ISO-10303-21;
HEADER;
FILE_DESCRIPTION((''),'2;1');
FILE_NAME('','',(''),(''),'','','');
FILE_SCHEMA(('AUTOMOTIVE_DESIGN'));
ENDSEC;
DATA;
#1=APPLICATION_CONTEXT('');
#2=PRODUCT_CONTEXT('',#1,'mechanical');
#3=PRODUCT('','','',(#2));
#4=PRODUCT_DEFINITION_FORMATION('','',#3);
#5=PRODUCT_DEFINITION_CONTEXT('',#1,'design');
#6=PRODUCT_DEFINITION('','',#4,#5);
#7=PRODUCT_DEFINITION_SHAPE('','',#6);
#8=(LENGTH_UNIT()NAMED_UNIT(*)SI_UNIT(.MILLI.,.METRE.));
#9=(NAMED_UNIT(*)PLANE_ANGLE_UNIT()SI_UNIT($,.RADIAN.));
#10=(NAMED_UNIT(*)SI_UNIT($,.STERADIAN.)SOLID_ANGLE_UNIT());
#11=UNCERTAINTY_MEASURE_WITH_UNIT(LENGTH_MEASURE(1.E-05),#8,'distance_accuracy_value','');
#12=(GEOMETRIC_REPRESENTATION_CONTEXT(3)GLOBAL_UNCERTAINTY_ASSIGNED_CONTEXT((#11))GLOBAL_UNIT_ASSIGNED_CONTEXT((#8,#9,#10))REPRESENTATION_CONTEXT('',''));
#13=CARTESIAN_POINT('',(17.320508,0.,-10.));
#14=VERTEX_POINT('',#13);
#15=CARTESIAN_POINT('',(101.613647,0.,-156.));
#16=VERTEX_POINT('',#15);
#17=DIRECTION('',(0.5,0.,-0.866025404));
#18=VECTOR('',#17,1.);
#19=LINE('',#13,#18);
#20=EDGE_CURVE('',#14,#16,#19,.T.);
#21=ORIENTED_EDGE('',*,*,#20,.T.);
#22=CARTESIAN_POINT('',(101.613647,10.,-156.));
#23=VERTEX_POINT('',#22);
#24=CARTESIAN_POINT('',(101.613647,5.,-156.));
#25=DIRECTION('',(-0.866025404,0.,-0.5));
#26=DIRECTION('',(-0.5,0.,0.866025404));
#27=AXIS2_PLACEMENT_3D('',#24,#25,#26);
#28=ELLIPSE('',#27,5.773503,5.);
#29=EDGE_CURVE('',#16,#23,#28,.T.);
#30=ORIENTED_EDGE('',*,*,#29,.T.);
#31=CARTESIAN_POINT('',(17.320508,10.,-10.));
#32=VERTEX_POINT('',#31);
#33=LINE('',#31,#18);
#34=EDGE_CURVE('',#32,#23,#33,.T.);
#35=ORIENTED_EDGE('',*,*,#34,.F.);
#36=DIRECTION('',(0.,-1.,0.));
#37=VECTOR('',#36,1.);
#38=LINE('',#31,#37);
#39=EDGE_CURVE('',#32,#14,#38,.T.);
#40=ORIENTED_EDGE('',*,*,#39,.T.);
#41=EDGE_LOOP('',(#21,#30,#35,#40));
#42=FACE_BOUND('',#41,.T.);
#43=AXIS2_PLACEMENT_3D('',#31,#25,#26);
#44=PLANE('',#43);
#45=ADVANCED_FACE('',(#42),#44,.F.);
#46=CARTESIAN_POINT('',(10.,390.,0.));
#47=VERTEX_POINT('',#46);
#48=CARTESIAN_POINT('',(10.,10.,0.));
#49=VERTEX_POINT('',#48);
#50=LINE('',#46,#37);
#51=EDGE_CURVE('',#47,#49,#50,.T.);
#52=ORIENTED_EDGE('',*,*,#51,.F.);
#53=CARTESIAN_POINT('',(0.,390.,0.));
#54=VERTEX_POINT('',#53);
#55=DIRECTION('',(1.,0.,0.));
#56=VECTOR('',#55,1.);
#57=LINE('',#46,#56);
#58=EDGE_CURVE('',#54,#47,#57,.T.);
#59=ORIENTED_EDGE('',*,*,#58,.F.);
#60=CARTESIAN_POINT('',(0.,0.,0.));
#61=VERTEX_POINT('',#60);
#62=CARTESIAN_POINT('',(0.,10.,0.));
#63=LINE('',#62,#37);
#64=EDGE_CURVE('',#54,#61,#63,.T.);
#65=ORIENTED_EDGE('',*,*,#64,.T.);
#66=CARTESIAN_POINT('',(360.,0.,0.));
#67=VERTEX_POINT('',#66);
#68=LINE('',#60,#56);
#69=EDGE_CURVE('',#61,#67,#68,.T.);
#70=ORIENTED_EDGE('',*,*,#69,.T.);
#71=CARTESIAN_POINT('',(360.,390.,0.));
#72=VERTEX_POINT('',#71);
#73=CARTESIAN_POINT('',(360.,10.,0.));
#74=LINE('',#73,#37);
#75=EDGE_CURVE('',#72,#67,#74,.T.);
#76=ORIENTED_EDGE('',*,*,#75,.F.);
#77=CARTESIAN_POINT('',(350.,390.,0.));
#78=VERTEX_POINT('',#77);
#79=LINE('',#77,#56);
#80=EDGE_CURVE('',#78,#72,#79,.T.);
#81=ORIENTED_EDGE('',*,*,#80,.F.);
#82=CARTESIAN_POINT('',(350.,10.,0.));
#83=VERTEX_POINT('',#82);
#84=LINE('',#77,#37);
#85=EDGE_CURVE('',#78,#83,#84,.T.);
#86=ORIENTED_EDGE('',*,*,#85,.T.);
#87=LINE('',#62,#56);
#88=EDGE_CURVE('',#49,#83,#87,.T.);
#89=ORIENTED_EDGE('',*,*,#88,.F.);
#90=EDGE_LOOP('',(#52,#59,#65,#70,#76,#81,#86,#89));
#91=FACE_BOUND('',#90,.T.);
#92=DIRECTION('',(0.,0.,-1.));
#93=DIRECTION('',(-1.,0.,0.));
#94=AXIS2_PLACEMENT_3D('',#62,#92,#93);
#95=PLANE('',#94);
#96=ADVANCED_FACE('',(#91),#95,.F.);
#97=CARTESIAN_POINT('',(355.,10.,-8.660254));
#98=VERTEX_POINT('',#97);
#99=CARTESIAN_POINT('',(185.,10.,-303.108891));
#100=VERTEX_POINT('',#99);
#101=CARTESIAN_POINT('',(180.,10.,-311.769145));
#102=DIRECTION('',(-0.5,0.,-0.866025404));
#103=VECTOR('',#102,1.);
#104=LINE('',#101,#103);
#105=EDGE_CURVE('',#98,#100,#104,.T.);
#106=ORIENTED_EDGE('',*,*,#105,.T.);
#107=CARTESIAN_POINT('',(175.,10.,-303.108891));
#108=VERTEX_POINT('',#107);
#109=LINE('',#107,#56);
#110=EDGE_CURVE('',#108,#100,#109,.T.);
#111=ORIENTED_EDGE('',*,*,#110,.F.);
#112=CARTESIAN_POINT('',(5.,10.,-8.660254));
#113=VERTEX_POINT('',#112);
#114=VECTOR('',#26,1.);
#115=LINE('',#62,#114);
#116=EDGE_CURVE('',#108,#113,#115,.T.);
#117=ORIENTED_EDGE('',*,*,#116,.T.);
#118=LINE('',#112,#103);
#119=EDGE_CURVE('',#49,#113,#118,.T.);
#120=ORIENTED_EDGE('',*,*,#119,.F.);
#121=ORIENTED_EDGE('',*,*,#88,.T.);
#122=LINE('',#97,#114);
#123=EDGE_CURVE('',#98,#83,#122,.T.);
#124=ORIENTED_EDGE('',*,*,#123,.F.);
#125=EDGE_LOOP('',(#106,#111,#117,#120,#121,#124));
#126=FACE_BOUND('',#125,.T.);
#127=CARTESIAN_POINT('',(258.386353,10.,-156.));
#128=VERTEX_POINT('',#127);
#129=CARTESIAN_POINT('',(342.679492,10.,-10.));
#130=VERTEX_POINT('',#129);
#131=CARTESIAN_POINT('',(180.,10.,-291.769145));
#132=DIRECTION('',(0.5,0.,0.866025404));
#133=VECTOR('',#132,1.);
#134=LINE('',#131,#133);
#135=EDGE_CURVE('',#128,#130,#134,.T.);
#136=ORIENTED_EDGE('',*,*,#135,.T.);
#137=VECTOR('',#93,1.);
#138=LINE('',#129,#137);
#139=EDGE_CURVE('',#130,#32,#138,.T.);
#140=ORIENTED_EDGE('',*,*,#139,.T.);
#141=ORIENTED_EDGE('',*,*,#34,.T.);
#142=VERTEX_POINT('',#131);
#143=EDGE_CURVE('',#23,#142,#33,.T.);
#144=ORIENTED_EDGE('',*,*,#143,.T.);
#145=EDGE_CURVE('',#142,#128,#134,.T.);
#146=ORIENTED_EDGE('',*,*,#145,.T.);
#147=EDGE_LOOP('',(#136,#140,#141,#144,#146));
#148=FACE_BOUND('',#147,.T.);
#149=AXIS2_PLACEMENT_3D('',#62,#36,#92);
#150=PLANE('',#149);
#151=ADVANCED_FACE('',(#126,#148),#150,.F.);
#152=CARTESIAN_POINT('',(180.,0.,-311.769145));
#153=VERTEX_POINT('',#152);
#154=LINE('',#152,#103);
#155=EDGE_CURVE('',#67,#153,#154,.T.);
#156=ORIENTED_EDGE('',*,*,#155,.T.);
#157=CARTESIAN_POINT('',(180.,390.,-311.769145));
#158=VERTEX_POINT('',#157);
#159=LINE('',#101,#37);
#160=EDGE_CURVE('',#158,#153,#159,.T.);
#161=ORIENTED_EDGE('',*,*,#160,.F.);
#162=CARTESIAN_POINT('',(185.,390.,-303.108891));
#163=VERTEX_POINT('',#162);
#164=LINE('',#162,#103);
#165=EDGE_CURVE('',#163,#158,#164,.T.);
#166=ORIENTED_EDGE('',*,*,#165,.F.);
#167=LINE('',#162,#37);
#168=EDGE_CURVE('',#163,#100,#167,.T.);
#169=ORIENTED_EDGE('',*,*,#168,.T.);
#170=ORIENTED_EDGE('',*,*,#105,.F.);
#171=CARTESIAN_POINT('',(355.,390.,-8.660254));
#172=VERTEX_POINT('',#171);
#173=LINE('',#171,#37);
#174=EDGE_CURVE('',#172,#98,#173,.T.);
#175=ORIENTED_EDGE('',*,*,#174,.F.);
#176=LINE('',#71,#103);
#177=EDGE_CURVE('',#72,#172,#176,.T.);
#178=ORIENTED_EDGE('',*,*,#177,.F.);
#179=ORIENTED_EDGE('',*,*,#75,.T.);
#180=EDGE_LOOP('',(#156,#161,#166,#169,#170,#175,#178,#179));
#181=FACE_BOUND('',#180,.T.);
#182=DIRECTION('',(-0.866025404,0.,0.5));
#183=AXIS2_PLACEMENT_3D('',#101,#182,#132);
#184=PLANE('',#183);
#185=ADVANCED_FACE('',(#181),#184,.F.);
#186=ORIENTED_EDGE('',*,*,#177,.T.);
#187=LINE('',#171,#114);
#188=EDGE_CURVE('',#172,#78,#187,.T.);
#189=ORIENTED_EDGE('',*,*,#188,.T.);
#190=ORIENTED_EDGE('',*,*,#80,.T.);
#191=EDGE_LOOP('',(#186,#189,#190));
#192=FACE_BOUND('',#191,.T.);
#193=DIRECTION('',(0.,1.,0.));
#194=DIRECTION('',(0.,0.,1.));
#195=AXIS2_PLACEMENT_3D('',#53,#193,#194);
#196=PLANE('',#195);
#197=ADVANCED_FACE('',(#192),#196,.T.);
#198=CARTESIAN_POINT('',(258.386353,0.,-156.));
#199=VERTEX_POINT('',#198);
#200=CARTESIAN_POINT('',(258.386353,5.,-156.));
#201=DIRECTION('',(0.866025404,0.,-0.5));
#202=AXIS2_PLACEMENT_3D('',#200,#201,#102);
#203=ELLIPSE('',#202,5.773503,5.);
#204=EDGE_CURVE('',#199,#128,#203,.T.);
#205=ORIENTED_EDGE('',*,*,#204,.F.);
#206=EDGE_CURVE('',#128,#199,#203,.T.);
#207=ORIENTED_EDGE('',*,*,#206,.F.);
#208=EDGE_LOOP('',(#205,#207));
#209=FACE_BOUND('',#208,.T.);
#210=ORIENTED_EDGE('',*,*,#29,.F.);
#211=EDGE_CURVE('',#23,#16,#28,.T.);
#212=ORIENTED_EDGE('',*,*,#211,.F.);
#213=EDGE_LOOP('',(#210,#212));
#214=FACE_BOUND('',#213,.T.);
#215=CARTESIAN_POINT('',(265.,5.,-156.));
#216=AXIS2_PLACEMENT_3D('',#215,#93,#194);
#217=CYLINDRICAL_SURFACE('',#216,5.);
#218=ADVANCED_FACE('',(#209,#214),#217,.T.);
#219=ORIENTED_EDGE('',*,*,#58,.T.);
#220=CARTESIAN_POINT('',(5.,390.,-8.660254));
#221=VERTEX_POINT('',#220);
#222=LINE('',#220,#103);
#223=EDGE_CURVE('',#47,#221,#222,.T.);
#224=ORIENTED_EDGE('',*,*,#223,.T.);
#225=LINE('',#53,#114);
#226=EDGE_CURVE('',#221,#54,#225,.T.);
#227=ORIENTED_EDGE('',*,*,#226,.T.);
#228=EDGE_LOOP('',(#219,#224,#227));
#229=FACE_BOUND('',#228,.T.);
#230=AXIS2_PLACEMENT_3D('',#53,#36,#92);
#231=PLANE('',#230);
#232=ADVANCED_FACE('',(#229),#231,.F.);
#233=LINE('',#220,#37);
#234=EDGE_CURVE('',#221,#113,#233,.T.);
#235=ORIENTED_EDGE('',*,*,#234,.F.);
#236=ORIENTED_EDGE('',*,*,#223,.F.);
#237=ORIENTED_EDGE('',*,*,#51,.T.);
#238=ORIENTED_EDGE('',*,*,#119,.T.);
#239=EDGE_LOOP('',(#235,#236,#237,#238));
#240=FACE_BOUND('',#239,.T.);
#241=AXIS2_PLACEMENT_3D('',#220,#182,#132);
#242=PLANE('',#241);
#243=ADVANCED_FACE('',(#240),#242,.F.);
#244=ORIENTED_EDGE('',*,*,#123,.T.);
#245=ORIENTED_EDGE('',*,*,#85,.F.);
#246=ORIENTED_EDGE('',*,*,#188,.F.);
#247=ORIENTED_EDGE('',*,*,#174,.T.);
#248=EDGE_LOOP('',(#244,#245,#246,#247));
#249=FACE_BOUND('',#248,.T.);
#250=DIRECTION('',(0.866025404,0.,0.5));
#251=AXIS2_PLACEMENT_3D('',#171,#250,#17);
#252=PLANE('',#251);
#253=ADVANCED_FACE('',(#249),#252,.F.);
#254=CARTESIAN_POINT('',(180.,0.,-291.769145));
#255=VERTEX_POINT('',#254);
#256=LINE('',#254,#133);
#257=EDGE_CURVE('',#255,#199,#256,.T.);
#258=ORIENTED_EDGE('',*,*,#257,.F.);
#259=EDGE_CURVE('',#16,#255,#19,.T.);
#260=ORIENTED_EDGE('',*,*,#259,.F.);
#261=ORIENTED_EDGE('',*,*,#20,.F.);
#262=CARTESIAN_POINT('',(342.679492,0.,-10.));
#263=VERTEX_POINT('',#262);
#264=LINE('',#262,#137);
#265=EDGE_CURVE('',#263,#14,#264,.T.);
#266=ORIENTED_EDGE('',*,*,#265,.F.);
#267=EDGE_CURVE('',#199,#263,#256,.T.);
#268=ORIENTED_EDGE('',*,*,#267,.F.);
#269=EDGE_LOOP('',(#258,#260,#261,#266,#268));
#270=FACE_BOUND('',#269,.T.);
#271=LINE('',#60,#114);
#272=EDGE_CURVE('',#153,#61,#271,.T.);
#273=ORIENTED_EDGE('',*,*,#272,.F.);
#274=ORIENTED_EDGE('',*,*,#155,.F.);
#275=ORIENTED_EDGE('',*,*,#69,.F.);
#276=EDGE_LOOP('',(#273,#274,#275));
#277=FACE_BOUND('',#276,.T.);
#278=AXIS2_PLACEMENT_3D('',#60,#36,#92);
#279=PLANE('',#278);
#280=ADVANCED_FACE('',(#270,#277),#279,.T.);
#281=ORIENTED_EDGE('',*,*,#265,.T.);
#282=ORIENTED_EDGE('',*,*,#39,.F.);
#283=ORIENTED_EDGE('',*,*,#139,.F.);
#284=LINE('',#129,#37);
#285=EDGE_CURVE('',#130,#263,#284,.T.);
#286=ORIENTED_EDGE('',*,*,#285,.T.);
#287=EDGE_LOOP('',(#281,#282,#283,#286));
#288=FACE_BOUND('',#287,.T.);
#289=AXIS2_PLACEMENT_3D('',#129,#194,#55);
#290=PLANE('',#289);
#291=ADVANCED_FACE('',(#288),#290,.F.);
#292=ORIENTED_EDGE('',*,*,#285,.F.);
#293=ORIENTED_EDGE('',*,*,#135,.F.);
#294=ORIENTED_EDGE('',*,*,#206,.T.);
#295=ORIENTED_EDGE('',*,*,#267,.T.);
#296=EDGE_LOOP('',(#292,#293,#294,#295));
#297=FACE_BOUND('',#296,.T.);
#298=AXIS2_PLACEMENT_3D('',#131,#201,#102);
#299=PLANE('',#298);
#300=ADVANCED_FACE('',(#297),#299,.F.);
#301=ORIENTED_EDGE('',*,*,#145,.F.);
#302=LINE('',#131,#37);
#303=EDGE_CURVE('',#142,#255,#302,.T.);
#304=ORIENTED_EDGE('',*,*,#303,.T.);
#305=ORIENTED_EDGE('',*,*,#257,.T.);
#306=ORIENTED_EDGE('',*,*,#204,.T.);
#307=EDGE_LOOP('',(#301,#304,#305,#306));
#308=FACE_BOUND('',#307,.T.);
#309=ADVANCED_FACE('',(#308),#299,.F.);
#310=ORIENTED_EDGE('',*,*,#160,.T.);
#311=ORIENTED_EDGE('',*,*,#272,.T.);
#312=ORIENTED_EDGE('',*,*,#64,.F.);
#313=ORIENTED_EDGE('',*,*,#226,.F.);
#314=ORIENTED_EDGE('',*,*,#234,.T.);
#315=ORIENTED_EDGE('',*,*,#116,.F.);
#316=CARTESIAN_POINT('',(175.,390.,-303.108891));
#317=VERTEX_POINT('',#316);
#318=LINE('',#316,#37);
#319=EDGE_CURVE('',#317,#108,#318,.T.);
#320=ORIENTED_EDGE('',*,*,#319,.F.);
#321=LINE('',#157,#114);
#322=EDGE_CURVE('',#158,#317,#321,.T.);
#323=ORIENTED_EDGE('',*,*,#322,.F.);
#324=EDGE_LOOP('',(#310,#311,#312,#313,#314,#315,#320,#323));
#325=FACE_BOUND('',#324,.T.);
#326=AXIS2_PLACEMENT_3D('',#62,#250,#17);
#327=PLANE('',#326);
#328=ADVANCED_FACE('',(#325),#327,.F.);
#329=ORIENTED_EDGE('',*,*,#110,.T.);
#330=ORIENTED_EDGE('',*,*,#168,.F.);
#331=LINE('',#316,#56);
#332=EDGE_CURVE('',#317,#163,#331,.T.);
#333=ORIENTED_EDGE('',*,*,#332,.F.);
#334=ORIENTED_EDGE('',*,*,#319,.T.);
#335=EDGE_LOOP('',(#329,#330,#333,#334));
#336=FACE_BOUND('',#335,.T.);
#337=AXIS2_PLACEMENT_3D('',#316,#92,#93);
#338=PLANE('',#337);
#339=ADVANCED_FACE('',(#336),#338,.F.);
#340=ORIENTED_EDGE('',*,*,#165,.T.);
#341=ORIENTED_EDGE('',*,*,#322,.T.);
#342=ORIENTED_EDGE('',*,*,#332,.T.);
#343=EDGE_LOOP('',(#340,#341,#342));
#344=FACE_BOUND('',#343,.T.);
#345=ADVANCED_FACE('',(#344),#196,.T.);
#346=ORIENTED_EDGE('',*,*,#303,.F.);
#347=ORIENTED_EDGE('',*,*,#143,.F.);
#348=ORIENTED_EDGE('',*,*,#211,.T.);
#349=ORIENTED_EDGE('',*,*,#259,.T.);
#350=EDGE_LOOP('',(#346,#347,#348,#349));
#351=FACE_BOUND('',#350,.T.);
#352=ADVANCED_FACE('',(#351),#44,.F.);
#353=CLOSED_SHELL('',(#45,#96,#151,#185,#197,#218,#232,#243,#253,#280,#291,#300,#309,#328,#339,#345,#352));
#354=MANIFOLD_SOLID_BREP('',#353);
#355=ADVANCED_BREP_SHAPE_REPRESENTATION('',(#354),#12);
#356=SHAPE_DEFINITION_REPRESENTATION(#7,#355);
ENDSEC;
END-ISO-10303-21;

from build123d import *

# Parameters (mm, degrees)
EXTRUDE_1_DEPTH      = 10
EXTRUDE_2_DEPTH      = 380
CUT_EXTRUDE_1_DEPTH  = 10
EXTRUDE_3_DEPTH      = 85
EXTRUDE_3_DEPTH_BACK = 85
SKETCH_5_R           = 5


with BuildPart() as part:
    # 草图1 → 凸台-拉伸1 (new body)
    with BuildSketch(Plane(origin=(0, 0, 0), x_dir=(1, 0, 0), z_dir=(0, 1, 0))):
        Polygon((0, 0), (360, 0), (180, 311.769145362), align=None)
    extrude(amount=EXTRUDE_1_DEPTH)

    # 草图2 → 凸台-拉伸2 (add)
    with BuildSketch(Plane(origin=(0, 10, 0), x_dir=(1, 0, 0), z_dir=(0, 1, 0))):
        Polygon((360, 0), (355, 8.660254038), (350, 0), align=None)
        Polygon((0, 0), (5, 8.660254038), (10, 0), align=None)
        Polygon((180, 311.769145362), (175, 303.108891325), (185, 303.108891325), align=None)
    extrude(amount=EXTRUDE_2_DEPTH)

    # 草图4 → 切除-拉伸1 (cut)
    with BuildSketch(Plane(origin=(0, 0, 0), x_dir=(-1, 0, 0), z_dir=(0, -1, 0))):
        Polygon((-180, 291.769145362), (-342.679491924, 10), (-17.320508076, 10), align=None)
    extrude(amount=-CUT_EXTRUDE_1_DEPTH, mode=Mode.SUBTRACT)

    # 草图5 → 凸台-拉伸3 (add, two sides: drawn at the far end of the back side and taken through both)
    with BuildSketch(Plane.ZY.offset(-180).offset(-EXTRUDE_3_DEPTH_BACK)):
        with Locations((-156, 5)):
            Circle(SKETCH_5_R)
    extrude(amount=EXTRUDE_3_DEPTH + EXTRUDE_3_DEPTH_BACK)


solid = part.part
